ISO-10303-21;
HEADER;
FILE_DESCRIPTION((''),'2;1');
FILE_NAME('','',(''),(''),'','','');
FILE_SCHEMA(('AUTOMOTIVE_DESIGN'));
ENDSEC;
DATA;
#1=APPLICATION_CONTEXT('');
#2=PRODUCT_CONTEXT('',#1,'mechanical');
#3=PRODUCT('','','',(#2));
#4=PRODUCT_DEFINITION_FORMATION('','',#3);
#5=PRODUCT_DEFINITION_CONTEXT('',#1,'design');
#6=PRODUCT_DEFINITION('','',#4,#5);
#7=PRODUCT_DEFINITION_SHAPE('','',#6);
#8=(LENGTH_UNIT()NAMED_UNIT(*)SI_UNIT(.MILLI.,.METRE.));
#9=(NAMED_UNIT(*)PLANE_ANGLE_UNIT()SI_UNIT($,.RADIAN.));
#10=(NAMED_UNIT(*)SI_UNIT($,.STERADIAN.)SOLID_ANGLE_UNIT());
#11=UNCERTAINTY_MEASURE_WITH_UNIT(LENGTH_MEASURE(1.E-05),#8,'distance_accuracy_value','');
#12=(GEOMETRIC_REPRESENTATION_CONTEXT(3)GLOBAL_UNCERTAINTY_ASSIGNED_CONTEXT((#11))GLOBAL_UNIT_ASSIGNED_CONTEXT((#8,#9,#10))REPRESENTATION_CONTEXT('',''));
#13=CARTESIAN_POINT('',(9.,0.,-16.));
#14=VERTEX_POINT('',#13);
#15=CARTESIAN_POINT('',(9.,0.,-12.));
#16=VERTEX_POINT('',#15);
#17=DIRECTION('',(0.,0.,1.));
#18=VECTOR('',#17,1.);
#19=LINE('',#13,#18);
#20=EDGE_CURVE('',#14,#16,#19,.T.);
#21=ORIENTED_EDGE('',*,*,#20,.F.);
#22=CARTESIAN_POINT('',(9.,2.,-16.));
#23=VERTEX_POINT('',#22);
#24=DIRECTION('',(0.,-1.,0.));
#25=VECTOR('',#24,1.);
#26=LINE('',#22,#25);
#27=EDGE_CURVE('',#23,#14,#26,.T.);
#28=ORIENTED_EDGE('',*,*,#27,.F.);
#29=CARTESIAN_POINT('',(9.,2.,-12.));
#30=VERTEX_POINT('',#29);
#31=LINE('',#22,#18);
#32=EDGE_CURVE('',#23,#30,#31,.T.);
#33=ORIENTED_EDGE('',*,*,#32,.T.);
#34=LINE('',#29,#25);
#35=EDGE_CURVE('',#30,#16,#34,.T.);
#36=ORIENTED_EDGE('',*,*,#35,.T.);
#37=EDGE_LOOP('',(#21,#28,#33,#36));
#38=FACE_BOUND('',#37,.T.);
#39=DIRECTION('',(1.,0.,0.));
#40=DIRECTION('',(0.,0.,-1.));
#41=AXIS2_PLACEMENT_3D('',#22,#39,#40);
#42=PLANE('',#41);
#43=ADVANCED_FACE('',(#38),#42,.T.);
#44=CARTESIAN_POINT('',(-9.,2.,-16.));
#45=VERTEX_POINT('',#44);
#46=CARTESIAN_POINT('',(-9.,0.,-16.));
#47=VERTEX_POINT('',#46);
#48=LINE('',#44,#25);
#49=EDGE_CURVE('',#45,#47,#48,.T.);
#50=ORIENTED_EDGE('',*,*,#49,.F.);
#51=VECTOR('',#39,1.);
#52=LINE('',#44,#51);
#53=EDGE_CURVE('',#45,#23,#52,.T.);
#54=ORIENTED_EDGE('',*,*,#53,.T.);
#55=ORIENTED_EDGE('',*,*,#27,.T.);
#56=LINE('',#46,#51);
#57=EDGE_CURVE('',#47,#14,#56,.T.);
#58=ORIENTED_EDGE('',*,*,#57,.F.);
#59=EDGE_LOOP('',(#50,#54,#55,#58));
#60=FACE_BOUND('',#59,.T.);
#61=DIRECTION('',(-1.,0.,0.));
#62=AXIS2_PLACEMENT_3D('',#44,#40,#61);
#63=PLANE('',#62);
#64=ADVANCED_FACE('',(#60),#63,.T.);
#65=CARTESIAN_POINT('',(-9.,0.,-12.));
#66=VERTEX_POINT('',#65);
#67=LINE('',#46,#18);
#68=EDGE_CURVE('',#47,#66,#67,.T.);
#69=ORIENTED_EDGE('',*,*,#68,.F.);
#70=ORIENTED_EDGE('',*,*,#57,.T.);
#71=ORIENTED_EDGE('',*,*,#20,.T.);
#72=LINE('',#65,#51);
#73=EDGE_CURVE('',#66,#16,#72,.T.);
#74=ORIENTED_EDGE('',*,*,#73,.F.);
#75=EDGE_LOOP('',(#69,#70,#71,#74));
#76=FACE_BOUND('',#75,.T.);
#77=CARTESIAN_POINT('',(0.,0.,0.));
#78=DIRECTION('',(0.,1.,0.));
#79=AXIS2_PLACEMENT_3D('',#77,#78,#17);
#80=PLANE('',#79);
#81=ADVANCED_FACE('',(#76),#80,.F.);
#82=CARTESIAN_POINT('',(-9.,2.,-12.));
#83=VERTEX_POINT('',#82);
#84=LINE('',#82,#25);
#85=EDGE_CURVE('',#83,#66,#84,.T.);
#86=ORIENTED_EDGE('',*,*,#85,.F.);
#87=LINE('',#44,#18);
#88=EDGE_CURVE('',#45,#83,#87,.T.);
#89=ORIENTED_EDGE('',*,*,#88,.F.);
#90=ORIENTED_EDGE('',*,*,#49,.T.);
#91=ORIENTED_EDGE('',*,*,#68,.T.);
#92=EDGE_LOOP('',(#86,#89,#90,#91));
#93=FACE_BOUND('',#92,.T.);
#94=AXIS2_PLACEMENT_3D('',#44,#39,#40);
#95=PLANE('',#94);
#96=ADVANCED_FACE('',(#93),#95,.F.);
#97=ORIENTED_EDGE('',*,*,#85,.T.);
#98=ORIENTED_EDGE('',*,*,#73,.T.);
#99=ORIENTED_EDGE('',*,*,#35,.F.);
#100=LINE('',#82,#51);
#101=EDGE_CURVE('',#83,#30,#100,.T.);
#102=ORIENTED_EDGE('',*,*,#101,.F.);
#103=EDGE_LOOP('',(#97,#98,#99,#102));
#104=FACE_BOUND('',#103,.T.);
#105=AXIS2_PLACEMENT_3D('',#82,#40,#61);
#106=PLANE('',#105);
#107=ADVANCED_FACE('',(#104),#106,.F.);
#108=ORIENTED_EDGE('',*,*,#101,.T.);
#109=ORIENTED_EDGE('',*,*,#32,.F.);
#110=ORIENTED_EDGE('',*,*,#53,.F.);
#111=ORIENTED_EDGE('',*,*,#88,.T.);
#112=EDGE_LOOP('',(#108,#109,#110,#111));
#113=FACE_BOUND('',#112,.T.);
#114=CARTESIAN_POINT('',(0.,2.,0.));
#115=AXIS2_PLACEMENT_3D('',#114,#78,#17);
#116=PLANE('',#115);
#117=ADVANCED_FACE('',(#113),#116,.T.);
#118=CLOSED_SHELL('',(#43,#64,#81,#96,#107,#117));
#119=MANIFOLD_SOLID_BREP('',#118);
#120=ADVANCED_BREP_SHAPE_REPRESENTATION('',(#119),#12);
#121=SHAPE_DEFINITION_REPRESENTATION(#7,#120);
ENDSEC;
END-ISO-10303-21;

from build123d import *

# Parameters (mm, degrees)
SKETCH2_W                    = 18
SKETCH2_H                    = 4
HIROSE_CONNECTOR_STACK_DEPTH = 2


with BuildPart() as part:
    # Sketch2 → Hirose Connector Stack (new body)
    with BuildSketch(Plane(origin=(0, 0, 0), x_dir=(1, 0, 0), z_dir=(0, 1, 0))):
        with Locations((0, 14)):
            Rectangle(SKETCH2_W, SKETCH2_H)
    extrude(amount=HIROSE_CONNECTOR_STACK_DEPTH)


solid = part.part
